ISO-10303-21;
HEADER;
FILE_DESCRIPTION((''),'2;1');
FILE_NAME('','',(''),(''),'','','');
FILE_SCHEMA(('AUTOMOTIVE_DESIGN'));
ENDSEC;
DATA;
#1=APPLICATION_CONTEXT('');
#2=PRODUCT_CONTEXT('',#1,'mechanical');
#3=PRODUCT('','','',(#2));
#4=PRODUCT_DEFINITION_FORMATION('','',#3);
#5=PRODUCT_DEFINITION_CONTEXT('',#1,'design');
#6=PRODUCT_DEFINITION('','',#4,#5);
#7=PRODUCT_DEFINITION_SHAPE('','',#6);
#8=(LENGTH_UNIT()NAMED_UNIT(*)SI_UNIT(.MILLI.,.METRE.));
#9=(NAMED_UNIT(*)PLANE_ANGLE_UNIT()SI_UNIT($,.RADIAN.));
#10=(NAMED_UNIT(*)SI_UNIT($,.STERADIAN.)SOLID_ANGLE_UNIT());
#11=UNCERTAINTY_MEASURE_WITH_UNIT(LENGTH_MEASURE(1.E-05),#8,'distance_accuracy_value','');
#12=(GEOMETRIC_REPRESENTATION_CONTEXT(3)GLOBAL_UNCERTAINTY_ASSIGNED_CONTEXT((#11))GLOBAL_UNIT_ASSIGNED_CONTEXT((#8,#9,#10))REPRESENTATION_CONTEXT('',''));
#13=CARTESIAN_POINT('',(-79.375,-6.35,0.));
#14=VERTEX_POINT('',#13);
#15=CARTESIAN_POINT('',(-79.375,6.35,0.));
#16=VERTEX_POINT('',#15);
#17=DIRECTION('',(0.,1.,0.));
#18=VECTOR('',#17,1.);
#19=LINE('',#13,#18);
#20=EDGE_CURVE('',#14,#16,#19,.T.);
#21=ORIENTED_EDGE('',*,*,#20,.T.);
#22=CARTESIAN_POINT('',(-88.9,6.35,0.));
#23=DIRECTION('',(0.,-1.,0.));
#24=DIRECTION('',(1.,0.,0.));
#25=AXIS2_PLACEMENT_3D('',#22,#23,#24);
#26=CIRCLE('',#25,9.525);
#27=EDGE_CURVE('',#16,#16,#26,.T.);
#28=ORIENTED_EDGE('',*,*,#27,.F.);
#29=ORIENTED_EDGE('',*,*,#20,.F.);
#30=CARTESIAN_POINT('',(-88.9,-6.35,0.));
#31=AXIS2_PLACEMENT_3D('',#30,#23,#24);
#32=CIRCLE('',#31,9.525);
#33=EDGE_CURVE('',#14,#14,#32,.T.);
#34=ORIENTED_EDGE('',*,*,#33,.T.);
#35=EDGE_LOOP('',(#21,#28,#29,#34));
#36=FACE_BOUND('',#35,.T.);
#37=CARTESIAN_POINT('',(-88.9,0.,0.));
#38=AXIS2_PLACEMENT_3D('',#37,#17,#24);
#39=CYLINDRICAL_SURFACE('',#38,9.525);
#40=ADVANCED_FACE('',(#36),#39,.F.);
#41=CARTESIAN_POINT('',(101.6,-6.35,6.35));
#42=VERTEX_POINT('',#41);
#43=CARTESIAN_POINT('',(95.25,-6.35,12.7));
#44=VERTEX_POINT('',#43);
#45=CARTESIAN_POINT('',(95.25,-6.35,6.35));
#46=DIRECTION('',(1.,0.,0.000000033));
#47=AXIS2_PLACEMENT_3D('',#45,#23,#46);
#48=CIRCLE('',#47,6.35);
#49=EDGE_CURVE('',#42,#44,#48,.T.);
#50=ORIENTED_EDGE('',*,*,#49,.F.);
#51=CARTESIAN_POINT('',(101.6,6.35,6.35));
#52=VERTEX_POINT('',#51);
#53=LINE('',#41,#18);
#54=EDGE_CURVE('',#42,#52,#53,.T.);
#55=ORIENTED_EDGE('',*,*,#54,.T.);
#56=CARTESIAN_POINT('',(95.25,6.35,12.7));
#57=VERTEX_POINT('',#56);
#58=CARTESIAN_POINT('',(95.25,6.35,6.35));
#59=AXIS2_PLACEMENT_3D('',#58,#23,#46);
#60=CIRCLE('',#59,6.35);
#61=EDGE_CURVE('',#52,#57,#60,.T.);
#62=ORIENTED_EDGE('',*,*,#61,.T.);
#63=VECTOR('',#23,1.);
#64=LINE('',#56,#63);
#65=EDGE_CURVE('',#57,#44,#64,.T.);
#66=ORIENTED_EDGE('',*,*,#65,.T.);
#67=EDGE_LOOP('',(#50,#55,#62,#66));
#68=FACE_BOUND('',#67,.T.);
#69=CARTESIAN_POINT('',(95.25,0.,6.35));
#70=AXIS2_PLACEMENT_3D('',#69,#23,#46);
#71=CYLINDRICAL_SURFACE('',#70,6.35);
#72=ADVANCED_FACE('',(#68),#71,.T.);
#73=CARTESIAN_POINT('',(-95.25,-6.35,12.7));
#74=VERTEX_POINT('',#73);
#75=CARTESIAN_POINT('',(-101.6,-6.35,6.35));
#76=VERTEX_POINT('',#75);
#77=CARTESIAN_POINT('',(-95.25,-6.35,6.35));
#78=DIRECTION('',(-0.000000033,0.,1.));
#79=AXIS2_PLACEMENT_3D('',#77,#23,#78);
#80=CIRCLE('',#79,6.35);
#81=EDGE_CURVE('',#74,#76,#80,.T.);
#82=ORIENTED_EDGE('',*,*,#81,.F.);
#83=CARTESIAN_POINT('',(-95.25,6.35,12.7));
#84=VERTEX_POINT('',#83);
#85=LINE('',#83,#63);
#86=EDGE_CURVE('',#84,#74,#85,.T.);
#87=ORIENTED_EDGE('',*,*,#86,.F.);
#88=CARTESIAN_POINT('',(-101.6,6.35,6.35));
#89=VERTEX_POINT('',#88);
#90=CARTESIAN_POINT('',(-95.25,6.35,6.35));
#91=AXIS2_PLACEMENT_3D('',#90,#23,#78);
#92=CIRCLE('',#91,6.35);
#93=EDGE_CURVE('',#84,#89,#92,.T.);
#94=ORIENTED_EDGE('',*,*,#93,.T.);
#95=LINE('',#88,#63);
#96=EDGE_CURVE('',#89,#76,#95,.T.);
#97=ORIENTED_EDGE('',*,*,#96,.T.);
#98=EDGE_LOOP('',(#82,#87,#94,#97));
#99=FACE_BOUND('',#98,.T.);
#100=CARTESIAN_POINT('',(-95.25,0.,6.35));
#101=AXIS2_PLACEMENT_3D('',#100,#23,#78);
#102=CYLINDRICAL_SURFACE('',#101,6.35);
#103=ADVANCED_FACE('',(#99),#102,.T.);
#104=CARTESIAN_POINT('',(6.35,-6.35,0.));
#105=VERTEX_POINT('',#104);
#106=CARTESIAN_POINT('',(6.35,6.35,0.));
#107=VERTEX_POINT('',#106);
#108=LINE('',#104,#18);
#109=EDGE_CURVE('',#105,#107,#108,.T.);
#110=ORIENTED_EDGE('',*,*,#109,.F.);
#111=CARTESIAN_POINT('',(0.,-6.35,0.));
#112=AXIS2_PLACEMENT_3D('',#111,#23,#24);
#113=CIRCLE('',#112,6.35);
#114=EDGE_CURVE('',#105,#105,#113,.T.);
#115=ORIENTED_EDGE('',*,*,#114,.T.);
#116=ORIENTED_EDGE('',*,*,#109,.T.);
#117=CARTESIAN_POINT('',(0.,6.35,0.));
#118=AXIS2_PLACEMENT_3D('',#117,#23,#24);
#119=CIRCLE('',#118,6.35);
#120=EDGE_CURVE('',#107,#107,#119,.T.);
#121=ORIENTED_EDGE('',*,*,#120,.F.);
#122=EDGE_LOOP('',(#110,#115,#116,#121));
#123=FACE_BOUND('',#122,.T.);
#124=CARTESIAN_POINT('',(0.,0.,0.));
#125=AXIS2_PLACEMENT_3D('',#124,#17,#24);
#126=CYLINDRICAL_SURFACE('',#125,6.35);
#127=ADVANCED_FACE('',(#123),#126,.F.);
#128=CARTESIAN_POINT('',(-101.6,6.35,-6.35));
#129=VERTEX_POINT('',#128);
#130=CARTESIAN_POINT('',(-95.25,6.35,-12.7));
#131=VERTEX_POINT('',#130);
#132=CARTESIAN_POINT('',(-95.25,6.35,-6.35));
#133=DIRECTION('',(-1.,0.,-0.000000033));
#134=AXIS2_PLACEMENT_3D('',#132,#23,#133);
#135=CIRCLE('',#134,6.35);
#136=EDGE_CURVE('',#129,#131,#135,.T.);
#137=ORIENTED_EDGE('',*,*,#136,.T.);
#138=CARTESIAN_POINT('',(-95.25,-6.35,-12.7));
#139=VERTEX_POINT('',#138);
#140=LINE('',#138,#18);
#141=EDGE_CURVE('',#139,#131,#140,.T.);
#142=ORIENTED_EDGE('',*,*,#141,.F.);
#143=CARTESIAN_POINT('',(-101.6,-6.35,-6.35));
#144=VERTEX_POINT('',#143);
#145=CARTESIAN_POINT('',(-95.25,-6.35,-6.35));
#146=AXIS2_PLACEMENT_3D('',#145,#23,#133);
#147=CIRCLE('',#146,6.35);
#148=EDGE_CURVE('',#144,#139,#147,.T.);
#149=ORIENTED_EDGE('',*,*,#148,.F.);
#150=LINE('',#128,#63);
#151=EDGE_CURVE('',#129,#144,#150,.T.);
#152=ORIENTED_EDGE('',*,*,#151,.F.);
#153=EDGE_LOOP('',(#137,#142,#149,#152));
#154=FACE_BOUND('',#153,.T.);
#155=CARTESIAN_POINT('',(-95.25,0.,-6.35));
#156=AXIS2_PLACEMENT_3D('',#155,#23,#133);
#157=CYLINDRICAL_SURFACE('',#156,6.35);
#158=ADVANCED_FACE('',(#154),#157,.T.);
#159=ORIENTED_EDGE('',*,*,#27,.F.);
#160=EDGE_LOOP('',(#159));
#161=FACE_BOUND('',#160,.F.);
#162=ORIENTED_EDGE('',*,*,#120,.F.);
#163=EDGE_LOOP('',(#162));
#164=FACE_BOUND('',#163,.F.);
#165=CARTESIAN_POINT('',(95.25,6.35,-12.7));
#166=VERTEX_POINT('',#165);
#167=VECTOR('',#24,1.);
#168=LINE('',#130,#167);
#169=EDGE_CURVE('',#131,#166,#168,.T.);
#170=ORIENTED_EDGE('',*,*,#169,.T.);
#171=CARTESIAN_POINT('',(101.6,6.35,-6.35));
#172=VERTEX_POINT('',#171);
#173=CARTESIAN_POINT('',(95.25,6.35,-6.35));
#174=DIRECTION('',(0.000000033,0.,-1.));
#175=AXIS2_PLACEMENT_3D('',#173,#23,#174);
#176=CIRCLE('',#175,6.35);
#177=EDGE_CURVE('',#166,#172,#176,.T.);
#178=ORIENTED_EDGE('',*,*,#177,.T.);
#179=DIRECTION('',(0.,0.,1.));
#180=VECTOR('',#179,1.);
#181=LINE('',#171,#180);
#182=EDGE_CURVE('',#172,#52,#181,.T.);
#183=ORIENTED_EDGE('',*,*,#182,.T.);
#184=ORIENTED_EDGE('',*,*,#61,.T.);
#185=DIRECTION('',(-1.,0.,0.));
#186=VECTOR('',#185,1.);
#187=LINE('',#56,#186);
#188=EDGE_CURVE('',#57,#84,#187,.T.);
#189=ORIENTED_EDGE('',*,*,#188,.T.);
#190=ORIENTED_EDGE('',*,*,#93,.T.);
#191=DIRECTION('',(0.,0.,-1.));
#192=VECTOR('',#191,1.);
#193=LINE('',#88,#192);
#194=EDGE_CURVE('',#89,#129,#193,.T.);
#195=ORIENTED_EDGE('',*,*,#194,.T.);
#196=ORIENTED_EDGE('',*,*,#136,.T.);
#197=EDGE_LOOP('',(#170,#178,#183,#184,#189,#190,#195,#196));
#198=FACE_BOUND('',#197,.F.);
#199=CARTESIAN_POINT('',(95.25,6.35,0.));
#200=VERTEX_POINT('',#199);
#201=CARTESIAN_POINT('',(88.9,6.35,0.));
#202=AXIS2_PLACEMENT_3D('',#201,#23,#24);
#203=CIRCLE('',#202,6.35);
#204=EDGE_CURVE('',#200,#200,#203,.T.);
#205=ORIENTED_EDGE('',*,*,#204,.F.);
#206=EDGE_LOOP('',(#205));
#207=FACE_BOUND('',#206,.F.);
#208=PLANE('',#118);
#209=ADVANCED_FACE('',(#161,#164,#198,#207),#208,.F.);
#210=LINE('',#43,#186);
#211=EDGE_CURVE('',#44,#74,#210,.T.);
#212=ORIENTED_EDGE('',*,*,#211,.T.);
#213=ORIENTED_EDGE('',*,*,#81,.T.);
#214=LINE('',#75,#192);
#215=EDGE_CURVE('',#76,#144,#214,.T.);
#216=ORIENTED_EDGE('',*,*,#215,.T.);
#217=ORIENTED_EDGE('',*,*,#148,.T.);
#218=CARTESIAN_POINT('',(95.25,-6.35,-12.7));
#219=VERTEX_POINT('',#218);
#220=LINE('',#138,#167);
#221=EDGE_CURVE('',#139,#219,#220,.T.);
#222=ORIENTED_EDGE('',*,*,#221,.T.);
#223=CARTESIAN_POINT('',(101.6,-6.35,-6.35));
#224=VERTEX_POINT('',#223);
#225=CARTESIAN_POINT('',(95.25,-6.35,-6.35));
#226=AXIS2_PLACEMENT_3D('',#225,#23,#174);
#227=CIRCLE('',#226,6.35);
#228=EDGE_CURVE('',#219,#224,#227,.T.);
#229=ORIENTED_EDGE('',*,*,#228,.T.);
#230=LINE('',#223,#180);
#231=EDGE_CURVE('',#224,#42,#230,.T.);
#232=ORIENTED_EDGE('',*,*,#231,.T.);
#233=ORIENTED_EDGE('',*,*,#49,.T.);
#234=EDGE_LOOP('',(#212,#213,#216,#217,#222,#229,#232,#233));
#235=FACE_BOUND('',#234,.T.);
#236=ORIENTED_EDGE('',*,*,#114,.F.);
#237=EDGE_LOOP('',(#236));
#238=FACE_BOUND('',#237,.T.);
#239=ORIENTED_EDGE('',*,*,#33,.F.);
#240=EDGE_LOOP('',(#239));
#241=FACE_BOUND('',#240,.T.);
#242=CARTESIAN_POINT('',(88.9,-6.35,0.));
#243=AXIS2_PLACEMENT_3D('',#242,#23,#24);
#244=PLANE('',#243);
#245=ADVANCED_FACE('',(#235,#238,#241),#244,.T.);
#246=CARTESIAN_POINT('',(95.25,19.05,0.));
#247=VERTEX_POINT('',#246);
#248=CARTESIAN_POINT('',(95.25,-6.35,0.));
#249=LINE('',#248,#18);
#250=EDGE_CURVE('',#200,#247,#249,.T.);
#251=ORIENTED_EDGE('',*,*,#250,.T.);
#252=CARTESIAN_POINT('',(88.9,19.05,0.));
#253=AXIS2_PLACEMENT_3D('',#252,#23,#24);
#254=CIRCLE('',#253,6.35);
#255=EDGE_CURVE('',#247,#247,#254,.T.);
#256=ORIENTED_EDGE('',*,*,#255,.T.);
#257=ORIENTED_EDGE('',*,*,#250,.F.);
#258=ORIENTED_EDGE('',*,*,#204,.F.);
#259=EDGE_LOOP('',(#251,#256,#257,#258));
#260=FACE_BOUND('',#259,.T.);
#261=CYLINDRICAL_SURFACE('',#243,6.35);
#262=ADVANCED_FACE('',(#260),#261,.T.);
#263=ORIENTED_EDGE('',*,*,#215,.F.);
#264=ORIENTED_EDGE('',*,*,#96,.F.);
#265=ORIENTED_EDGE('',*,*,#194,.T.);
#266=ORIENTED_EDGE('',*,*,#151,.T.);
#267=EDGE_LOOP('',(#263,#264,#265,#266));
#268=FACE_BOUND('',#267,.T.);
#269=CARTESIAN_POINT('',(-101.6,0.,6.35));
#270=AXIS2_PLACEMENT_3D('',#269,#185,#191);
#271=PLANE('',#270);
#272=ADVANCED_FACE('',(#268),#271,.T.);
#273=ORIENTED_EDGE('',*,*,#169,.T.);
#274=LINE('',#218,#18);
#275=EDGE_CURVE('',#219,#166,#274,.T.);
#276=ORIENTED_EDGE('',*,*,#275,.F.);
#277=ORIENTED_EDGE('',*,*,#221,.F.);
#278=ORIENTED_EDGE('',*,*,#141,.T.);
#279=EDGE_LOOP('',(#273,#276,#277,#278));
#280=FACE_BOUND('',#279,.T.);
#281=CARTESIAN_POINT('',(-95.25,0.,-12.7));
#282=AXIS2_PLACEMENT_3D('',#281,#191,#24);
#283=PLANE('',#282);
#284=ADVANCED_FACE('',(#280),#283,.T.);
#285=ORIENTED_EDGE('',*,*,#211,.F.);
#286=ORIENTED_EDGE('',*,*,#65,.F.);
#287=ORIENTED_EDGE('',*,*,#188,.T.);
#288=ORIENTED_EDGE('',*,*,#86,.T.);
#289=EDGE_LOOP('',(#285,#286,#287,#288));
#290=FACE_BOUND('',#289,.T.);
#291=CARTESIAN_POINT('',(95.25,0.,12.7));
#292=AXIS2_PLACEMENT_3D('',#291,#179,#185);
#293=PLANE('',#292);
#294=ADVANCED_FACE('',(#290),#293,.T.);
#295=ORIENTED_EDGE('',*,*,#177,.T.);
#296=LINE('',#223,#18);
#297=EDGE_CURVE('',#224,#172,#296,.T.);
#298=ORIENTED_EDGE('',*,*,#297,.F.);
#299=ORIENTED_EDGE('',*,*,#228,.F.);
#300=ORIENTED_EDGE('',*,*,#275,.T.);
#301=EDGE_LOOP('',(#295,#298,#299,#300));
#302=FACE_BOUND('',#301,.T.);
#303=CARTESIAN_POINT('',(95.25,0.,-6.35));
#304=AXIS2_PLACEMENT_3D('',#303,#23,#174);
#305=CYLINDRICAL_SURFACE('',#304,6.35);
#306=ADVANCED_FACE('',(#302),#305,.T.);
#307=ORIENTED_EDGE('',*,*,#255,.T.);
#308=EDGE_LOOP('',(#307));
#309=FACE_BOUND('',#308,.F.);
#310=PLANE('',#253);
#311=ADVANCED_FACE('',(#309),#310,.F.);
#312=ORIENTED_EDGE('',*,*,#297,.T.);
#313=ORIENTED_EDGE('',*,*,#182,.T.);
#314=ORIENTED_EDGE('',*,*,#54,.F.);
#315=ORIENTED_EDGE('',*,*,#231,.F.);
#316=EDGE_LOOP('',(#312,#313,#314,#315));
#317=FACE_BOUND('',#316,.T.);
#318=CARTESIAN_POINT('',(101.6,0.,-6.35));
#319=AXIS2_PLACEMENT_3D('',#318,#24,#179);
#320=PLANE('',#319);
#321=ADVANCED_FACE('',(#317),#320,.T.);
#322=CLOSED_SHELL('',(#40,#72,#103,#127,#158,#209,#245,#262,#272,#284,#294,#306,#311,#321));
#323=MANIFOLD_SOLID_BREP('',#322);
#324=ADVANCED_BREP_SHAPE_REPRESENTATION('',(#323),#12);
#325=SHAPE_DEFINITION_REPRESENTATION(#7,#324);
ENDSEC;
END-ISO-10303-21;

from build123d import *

# Parameters (mm, degrees)
F0_R     = 9.525
F0_R_2   = 6.35
F1_DEPTH = 6.35
F2_R     = 6.35
F3_DEPTH = 25.4


with BuildPart() as f1:
    # F0 (on Front) → F1 (new body, symmetric)
    with BuildSketch(Plane.XZ):
        with BuildLine():
            ThreePointArc((101.6, 6.35), (99.740128, 10.840128), (95.25, 12.7))
            Line((95.25, 12.7), (-95.25, 12.7))
            ThreePointArc((-95.25, 12.7), (-99.740128, 10.840128), (-101.6, 6.35))
            Line((-101.6, 6.35), (-101.6, -6.35))
            ThreePointArc((-101.6, -6.35), (-99.740128, -10.840128), (-95.25, -12.7))
            Line((-95.25, -12.7), (95.25, -12.7))
            ThreePointArc((95.25, -12.7), (99.740128, -10.840128), (101.6, -6.35))
            Line((101.6, -6.35), (101.6, 6.35))
        make_face()
        with Locations((-88.9, 0)):
            Circle(F0_R, mode=Mode.SUBTRACT)
        Circle(F0_R_2, mode=Mode.SUBTRACT)
    extrude(amount=F1_DEPTH, both=True)

    # F2 (on face) → F3 (join)
    with BuildSketch(Plane.XZ.offset(6.35)):
        with Locations((88.9, 0)):
            Circle(F2_R)
    extrude(amount=-F3_DEPTH)


solid = f1.part
